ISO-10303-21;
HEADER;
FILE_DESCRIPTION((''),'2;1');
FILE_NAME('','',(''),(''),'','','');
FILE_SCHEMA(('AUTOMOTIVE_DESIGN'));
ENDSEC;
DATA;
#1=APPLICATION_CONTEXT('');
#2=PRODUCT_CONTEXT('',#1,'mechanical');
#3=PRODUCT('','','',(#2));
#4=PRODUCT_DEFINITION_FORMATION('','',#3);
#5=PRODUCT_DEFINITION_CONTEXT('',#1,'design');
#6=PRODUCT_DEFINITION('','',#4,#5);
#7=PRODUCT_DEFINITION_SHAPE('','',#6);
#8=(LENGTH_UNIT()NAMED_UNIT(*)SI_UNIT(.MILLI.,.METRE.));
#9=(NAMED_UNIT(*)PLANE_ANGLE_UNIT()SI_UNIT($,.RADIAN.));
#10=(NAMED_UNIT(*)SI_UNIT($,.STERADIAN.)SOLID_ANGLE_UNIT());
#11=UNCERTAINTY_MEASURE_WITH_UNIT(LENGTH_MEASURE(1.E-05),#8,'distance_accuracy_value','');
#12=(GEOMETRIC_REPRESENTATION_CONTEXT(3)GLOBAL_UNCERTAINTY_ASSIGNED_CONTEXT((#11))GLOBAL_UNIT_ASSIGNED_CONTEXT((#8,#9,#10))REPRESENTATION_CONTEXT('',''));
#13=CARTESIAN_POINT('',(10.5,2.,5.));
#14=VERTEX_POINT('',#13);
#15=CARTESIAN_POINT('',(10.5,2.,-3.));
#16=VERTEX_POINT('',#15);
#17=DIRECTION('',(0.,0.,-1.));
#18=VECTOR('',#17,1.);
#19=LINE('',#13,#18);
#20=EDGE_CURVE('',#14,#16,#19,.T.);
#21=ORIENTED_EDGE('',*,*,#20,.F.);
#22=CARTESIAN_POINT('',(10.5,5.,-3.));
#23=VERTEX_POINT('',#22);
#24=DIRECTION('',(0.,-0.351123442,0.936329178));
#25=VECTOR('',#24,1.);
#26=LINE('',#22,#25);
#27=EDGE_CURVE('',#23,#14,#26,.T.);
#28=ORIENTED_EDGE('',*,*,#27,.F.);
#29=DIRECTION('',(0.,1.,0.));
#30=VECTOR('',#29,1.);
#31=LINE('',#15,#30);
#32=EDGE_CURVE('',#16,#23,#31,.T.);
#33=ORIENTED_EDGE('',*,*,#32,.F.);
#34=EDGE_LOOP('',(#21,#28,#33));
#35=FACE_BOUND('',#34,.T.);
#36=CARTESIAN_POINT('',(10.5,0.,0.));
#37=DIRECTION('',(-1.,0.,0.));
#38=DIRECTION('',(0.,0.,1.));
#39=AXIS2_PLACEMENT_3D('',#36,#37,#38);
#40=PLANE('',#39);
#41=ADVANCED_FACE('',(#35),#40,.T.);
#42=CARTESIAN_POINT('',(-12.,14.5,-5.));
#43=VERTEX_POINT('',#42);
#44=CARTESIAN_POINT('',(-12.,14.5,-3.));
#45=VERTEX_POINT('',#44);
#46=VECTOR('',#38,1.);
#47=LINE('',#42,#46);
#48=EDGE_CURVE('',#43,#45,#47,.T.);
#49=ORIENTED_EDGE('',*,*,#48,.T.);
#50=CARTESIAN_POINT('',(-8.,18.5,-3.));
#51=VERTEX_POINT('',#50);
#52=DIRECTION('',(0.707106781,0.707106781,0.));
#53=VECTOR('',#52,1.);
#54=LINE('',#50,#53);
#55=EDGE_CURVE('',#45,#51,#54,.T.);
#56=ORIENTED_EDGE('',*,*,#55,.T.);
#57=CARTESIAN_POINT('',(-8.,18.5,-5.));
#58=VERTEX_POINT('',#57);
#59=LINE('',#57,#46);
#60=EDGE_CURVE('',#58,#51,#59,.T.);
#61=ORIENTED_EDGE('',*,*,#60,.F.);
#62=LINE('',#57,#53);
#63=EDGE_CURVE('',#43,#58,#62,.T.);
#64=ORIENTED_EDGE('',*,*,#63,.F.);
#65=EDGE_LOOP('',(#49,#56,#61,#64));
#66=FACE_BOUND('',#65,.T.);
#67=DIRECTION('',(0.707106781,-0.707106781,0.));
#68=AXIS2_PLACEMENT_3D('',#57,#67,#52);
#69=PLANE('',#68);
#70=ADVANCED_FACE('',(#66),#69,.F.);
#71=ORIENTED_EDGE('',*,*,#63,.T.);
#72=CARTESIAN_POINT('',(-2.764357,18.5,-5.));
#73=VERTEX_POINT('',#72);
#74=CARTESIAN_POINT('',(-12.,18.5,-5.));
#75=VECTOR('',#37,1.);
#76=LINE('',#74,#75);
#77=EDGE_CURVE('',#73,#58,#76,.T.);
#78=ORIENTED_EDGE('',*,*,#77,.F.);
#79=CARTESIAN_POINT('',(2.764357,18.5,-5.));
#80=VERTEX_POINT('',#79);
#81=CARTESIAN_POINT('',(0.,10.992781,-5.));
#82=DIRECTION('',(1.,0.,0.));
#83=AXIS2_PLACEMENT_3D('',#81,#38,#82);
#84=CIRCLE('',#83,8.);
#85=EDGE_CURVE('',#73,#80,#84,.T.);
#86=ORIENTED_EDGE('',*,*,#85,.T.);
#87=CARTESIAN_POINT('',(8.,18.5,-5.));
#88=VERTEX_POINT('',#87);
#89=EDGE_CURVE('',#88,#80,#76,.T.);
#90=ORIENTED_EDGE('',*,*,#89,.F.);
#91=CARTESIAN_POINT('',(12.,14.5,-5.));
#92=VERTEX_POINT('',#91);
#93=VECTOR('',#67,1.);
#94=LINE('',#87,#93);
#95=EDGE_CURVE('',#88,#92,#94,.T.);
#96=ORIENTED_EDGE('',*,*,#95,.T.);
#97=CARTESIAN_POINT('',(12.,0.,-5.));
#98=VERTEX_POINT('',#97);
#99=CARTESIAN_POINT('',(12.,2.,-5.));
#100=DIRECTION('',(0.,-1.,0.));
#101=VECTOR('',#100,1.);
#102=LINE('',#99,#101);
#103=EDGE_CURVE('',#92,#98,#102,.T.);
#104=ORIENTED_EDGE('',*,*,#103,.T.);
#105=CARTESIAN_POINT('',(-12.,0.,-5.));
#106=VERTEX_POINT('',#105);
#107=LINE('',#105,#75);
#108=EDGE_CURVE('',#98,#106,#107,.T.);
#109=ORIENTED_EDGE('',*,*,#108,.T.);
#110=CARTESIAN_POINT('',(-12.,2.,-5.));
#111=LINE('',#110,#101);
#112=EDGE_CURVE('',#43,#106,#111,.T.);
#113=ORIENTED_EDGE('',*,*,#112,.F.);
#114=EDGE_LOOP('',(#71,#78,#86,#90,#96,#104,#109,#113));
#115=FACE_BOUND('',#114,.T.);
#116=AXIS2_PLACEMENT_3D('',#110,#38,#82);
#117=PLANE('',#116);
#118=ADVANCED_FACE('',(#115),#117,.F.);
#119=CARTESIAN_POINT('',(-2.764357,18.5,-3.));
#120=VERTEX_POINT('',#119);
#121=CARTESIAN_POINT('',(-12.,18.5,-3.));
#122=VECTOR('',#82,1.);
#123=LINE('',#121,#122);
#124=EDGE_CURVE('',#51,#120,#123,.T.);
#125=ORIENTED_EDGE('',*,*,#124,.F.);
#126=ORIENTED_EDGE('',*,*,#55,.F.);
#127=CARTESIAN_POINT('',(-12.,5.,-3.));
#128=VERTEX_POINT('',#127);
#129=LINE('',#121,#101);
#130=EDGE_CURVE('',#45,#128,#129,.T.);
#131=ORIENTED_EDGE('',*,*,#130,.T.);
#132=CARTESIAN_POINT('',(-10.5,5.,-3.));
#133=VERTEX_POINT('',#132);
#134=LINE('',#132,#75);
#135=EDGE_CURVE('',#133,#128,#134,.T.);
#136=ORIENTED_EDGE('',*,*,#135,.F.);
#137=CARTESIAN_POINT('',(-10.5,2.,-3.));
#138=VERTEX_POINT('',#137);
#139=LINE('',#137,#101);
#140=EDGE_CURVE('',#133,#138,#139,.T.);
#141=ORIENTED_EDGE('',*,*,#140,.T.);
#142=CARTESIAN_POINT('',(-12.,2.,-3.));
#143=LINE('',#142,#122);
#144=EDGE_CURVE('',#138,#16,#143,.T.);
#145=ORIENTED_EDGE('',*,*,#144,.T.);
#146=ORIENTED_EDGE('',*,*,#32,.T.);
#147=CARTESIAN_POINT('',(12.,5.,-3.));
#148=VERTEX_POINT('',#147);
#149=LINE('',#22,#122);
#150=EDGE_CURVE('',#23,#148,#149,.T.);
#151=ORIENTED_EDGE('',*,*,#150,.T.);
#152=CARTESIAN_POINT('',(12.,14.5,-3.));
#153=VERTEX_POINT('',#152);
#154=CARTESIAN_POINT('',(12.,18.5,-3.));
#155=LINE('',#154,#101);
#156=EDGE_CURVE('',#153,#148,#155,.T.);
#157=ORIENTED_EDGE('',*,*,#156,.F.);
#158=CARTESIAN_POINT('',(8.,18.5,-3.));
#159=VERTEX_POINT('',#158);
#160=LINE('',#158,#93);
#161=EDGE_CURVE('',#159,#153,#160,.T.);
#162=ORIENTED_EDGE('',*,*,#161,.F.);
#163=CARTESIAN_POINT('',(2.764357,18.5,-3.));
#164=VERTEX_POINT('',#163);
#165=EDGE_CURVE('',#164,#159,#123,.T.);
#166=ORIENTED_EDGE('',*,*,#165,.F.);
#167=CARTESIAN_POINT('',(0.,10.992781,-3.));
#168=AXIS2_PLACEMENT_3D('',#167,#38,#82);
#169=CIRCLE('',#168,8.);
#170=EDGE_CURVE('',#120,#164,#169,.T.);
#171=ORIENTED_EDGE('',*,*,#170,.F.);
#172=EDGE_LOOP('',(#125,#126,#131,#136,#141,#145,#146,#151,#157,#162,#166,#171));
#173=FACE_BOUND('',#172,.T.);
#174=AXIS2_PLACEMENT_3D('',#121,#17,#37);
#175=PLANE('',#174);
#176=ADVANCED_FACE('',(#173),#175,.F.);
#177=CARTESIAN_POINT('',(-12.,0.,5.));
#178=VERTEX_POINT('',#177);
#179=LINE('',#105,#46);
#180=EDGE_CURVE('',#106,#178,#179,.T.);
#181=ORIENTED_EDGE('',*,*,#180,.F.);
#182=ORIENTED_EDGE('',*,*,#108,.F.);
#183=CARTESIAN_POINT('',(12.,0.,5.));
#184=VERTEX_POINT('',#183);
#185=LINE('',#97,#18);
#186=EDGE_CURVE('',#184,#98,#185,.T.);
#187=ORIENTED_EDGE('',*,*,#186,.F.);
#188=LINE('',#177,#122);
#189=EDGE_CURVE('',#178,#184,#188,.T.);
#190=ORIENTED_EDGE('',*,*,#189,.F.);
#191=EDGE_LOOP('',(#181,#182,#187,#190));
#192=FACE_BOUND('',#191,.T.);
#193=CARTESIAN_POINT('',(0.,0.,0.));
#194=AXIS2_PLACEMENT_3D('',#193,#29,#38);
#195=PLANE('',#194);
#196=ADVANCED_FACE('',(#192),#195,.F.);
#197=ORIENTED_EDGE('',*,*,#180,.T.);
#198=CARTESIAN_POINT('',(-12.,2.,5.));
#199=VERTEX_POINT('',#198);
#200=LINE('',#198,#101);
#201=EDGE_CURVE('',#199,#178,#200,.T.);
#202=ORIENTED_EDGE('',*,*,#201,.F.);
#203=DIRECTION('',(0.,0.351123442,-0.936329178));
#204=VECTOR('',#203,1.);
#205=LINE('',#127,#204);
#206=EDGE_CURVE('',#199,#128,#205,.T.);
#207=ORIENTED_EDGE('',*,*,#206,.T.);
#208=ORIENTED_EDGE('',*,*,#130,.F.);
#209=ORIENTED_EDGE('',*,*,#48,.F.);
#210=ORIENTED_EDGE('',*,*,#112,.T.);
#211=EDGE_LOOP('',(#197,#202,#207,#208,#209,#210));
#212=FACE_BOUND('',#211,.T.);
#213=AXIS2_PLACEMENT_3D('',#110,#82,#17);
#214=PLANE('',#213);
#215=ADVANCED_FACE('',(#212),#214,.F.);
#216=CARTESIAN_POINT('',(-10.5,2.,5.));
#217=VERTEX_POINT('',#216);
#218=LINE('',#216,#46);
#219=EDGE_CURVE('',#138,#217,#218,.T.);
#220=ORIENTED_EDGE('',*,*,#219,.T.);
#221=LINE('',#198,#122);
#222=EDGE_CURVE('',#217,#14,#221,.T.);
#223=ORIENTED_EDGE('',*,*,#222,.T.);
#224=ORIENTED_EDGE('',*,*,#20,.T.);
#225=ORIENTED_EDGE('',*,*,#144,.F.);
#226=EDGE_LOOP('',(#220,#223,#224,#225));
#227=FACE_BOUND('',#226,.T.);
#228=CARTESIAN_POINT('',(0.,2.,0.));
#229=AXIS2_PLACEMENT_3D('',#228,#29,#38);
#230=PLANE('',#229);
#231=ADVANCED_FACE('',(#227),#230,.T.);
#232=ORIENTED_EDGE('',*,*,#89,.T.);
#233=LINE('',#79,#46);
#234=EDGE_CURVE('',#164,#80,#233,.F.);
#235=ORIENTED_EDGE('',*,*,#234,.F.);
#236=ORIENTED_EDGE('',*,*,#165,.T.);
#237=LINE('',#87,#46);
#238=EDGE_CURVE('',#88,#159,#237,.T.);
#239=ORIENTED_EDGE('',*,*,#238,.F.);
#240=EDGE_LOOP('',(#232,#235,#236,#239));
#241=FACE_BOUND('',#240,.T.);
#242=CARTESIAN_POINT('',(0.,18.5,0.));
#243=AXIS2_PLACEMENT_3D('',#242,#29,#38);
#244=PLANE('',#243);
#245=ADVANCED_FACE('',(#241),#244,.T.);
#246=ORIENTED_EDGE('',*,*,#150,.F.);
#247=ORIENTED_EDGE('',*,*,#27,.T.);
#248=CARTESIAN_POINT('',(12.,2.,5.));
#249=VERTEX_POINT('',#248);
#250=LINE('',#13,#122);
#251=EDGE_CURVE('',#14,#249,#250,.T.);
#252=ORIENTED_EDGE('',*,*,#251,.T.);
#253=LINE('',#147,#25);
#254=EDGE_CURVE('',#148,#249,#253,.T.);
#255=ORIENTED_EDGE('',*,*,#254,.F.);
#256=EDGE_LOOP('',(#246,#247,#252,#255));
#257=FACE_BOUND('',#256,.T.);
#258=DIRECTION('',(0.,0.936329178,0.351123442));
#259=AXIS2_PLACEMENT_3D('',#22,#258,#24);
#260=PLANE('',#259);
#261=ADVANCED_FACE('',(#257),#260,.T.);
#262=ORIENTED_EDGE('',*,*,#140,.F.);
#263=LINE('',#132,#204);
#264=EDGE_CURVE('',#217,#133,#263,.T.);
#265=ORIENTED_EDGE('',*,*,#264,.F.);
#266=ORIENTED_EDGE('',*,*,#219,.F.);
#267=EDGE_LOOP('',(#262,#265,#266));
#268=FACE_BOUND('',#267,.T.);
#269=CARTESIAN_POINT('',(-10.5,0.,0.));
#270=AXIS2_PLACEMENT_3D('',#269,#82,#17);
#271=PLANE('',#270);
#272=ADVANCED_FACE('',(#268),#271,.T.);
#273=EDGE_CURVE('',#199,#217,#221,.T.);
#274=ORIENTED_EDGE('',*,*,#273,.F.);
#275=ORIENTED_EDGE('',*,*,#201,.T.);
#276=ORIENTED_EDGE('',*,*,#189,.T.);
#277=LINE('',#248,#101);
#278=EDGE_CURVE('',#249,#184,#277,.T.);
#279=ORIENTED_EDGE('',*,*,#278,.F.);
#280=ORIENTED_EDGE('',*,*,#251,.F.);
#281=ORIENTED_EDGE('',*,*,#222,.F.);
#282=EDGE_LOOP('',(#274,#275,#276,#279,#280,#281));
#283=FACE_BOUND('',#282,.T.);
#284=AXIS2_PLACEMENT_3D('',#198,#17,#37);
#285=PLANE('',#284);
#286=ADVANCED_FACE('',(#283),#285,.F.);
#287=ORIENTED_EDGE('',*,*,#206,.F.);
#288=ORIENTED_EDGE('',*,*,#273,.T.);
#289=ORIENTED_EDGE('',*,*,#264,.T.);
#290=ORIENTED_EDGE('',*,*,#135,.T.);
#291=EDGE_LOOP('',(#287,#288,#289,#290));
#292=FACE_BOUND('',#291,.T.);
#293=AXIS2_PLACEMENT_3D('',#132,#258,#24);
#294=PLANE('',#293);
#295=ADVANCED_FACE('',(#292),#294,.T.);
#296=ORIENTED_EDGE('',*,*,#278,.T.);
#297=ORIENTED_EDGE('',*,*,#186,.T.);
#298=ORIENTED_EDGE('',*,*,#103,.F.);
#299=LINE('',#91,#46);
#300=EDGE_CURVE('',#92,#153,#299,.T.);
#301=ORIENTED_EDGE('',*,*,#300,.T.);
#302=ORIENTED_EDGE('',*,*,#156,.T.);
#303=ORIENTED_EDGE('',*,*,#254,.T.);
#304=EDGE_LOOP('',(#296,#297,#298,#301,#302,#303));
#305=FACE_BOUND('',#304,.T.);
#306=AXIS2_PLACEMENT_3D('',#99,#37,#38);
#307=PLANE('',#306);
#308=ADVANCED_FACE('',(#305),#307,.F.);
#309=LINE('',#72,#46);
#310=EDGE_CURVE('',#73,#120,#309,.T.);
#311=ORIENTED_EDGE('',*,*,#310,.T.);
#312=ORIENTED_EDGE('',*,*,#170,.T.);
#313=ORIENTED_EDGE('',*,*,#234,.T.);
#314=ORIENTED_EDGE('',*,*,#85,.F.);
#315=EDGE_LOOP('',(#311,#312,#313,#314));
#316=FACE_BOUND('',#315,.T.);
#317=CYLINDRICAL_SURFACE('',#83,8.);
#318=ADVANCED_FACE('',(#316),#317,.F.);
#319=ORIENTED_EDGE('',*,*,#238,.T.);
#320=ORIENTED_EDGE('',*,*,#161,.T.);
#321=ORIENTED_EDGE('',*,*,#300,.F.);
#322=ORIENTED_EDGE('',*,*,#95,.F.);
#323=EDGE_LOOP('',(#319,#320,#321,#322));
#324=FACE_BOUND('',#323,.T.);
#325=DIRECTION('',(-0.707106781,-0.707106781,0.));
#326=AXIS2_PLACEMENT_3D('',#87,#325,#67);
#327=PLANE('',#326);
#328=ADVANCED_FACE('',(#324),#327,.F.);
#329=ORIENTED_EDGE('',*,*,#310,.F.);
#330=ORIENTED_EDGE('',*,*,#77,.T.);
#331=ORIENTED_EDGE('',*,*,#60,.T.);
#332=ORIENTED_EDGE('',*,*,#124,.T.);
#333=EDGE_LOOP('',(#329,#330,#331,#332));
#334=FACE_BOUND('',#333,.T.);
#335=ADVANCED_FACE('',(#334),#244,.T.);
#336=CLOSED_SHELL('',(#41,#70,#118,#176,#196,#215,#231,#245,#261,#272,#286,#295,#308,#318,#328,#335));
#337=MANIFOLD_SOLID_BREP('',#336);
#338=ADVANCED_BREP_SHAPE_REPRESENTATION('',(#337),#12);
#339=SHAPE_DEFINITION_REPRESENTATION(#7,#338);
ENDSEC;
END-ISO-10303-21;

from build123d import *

# Parameters (mm, degrees)
SKETCH1_W           = 24
SKETCH1_H           = 10
BOSS_EXTRUDE1_DEPTH = 2
SKETCH2_W           = 24
SKETCH2_H           = 2
BOSS_EXTRUDE2_DEPTH = 16.5
SKETCH3_R           = 8
CUT_EXTRUDE1_DEPTH  = 2
CUT_EXTRUDE2_DEPTH  = 2
BOSS_EXTRUDE4_DEPTH = 1.5
BOSS_EXTRUDE5_DEPTH = 1.5


with BuildPart() as part:
    # Sketch1 → Boss-Extrude1 (new body)
    with BuildSketch(Plane(origin=(0, 0, 0), x_dir=(1, 0, 0), z_dir=(0, 1, 0))):
        Rectangle(SKETCH1_W, SKETCH1_H)
    extrude(amount=BOSS_EXTRUDE1_DEPTH)

    # Sketch2 → Boss-Extrude2 (add)
    with BuildSketch(Plane(origin=(0, 2, 0), x_dir=(1, 0, 0), z_dir=(0, 1, 0))):
        with Locations((0, 4)):
            Rectangle(SKETCH2_W, SKETCH2_H)
    extrude(amount=BOSS_EXTRUDE2_DEPTH)

    # Sketch3 → Cut-Extrude1 (cut)
    with BuildSketch(Plane.XY.offset(-3)):
        with Locations((0, 10.992781272)):
            Circle(SKETCH3_R)
    extrude(amount=-CUT_EXTRUDE1_DEPTH, mode=Mode.SUBTRACT)

    # Sketch6 → Cut-Extrude2 (cut)
    with BuildSketch(Plane.XY.offset(-3)):
        Polygon((-12, 18.5), (-8, 18.5), (-12, 14.5), align=None)
        Polygon((12, 18.5), (8, 18.5), (12, 14.5), align=None)
    extrude(amount=-CUT_EXTRUDE2_DEPTH, mode=Mode.SUBTRACT)

    # Sketch7 → Boss-Extrude4 (add)
    with BuildSketch(Plane.ZY.offset(12)):
        Polygon((-3, 2), (-3, 5), (5, 2), align=None)
    extrude(amount=-BOSS_EXTRUDE4_DEPTH)

    # Sketch8 → Boss-Extrude5 (add)
    with BuildSketch(Plane(origin=(12, 0, 0), x_dir=(0, 0, -1), z_dir=(1, 0, 0))):
        Polygon((-5, 2), (3, 2), (3, 5), align=None)
    extrude(amount=-BOSS_EXTRUDE5_DEPTH)


solid = part.part
